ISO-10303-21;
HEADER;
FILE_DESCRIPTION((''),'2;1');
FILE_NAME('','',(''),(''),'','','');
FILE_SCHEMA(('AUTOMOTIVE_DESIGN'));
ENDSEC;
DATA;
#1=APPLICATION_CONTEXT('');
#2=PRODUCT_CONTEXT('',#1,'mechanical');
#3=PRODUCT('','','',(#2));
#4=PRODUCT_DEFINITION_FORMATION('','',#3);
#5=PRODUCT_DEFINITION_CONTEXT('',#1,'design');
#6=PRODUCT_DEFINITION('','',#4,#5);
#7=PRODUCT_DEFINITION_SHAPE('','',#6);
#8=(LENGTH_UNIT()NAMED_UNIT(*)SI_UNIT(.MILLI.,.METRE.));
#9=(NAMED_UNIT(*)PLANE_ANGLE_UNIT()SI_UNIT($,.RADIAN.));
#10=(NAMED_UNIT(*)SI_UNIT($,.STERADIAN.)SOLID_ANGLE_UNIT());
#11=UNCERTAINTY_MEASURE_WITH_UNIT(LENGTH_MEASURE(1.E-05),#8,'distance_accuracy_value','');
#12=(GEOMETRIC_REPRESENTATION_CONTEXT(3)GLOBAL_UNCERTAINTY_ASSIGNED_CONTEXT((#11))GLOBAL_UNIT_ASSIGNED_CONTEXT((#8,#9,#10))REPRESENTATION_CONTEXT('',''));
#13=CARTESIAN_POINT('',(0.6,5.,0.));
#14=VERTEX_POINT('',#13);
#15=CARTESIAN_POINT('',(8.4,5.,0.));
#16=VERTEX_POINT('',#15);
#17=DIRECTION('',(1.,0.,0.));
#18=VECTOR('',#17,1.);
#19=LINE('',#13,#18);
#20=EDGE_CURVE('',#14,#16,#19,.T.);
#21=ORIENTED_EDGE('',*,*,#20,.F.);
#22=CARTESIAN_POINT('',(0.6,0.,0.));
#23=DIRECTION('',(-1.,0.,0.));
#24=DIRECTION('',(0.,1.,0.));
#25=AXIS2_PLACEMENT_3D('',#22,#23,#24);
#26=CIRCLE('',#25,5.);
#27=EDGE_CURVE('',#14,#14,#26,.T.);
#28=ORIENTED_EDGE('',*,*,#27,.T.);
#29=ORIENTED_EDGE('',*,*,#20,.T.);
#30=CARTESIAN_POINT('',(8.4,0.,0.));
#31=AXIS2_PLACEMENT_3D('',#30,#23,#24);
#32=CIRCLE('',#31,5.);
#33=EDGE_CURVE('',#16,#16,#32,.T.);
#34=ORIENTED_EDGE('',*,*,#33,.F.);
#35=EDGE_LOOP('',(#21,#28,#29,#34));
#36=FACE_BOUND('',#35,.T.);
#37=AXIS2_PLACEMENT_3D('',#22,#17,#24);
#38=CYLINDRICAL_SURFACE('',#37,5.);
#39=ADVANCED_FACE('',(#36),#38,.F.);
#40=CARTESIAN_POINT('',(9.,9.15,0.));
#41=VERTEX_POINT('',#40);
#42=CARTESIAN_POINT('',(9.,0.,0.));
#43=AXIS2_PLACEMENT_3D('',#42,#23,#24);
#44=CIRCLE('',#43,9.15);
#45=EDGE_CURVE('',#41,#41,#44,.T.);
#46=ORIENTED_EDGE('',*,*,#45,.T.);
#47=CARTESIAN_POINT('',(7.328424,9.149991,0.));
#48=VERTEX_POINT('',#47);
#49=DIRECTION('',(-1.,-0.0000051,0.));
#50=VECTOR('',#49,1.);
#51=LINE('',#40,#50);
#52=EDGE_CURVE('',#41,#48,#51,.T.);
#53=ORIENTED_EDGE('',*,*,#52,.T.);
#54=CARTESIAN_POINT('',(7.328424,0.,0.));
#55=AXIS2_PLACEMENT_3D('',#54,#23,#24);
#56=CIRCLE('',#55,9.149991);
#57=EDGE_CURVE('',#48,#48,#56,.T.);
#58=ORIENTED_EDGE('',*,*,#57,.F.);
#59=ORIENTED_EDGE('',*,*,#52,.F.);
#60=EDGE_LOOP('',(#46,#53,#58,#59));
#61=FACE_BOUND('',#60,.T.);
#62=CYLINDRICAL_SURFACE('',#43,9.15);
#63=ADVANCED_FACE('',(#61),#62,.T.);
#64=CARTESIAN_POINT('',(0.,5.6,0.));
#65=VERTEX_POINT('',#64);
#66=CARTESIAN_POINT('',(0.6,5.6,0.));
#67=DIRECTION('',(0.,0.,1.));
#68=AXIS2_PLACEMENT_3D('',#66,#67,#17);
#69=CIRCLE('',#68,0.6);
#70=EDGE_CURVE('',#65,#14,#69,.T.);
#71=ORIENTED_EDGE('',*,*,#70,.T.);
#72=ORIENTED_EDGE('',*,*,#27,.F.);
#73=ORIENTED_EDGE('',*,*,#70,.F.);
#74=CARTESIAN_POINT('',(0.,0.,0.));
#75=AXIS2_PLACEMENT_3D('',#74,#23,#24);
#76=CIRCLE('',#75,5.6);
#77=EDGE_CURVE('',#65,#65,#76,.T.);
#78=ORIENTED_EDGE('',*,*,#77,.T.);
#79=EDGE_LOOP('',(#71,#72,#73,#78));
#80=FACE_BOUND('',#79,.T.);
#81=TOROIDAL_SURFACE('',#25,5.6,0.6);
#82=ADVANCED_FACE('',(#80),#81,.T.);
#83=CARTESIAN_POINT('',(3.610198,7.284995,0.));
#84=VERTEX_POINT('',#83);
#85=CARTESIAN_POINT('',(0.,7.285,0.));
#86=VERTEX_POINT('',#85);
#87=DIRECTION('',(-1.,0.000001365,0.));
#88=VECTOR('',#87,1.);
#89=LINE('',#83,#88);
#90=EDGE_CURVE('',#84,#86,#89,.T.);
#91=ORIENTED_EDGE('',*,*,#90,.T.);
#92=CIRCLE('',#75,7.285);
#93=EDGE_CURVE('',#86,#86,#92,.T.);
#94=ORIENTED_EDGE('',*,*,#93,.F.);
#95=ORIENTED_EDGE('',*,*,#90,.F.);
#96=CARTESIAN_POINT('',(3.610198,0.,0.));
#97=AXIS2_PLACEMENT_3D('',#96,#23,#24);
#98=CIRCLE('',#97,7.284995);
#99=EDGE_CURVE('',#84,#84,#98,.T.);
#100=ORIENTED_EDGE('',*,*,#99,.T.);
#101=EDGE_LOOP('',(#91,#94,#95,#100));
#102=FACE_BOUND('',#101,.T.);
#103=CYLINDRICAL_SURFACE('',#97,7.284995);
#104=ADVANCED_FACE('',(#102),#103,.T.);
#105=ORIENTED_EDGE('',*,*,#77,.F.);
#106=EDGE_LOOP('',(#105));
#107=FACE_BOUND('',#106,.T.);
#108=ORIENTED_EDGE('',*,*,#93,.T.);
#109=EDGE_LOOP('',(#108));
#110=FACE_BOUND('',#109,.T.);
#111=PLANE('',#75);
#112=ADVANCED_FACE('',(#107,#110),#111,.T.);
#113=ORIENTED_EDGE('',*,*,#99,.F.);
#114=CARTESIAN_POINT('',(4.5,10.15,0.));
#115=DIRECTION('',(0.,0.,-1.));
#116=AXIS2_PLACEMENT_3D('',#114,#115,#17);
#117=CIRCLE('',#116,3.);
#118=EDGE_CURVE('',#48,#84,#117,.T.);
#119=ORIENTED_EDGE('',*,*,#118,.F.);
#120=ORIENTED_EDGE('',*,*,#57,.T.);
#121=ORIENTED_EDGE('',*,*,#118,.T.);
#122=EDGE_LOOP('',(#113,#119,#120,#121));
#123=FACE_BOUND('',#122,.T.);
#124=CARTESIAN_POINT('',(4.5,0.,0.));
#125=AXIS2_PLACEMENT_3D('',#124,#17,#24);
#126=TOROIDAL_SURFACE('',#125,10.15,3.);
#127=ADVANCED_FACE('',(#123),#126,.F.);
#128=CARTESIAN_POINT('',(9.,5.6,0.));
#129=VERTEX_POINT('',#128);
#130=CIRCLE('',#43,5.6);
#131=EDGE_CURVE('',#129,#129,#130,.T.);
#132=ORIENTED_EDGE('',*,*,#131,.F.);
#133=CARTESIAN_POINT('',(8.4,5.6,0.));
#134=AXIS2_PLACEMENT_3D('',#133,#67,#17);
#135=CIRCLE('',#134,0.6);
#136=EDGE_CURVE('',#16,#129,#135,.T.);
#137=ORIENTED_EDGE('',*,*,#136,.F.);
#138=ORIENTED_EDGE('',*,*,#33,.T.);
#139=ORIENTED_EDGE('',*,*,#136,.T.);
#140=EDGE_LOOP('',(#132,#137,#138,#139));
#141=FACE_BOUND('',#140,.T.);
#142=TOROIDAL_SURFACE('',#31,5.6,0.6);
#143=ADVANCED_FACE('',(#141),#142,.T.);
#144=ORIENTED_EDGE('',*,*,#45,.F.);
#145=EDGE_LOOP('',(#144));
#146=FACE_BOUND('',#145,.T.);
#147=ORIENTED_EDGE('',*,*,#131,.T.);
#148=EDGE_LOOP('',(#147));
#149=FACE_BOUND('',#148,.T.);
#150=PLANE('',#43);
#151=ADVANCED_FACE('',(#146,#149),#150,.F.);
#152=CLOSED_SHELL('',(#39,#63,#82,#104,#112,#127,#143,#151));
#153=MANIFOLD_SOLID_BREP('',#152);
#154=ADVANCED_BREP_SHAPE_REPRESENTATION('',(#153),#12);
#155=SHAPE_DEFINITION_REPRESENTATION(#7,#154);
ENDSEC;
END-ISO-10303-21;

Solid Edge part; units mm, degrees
sketch "Sketch1" plane through (0, 0, 0) normal (0, 0, 1) x (1, 0, 0)
  line L0 (0, 7.285) -> (0, 5.6)
  arc A0 (0, 5.6) -> (0.6, 5) centre (0.6, 5.6) ccw
  line L1 (0.6, 5) -> (8.4, 5)
  arc A1 (8.4, 5) -> (9, 5.6) centre (8.4, 5.6) ccw
  line L2 (9, 5.6) -> (9, 9.15)
  line L3 (9, 9.15) -> (7.3284, 9.15)
  arc A2 (7.3284, 9.15) -> (3.6102, 7.285) centre (4.5, 10.15) cw
  line L4 (3.6102, 7.285) -> (0, 7.285)
revolve "RevolvedProtrusion1" add sketch "Sketch1" angle 360 about axis through (9, 0, 0) along (-1, 0, 0)
properties part number "SKF_7200 BECBP_PART1"
